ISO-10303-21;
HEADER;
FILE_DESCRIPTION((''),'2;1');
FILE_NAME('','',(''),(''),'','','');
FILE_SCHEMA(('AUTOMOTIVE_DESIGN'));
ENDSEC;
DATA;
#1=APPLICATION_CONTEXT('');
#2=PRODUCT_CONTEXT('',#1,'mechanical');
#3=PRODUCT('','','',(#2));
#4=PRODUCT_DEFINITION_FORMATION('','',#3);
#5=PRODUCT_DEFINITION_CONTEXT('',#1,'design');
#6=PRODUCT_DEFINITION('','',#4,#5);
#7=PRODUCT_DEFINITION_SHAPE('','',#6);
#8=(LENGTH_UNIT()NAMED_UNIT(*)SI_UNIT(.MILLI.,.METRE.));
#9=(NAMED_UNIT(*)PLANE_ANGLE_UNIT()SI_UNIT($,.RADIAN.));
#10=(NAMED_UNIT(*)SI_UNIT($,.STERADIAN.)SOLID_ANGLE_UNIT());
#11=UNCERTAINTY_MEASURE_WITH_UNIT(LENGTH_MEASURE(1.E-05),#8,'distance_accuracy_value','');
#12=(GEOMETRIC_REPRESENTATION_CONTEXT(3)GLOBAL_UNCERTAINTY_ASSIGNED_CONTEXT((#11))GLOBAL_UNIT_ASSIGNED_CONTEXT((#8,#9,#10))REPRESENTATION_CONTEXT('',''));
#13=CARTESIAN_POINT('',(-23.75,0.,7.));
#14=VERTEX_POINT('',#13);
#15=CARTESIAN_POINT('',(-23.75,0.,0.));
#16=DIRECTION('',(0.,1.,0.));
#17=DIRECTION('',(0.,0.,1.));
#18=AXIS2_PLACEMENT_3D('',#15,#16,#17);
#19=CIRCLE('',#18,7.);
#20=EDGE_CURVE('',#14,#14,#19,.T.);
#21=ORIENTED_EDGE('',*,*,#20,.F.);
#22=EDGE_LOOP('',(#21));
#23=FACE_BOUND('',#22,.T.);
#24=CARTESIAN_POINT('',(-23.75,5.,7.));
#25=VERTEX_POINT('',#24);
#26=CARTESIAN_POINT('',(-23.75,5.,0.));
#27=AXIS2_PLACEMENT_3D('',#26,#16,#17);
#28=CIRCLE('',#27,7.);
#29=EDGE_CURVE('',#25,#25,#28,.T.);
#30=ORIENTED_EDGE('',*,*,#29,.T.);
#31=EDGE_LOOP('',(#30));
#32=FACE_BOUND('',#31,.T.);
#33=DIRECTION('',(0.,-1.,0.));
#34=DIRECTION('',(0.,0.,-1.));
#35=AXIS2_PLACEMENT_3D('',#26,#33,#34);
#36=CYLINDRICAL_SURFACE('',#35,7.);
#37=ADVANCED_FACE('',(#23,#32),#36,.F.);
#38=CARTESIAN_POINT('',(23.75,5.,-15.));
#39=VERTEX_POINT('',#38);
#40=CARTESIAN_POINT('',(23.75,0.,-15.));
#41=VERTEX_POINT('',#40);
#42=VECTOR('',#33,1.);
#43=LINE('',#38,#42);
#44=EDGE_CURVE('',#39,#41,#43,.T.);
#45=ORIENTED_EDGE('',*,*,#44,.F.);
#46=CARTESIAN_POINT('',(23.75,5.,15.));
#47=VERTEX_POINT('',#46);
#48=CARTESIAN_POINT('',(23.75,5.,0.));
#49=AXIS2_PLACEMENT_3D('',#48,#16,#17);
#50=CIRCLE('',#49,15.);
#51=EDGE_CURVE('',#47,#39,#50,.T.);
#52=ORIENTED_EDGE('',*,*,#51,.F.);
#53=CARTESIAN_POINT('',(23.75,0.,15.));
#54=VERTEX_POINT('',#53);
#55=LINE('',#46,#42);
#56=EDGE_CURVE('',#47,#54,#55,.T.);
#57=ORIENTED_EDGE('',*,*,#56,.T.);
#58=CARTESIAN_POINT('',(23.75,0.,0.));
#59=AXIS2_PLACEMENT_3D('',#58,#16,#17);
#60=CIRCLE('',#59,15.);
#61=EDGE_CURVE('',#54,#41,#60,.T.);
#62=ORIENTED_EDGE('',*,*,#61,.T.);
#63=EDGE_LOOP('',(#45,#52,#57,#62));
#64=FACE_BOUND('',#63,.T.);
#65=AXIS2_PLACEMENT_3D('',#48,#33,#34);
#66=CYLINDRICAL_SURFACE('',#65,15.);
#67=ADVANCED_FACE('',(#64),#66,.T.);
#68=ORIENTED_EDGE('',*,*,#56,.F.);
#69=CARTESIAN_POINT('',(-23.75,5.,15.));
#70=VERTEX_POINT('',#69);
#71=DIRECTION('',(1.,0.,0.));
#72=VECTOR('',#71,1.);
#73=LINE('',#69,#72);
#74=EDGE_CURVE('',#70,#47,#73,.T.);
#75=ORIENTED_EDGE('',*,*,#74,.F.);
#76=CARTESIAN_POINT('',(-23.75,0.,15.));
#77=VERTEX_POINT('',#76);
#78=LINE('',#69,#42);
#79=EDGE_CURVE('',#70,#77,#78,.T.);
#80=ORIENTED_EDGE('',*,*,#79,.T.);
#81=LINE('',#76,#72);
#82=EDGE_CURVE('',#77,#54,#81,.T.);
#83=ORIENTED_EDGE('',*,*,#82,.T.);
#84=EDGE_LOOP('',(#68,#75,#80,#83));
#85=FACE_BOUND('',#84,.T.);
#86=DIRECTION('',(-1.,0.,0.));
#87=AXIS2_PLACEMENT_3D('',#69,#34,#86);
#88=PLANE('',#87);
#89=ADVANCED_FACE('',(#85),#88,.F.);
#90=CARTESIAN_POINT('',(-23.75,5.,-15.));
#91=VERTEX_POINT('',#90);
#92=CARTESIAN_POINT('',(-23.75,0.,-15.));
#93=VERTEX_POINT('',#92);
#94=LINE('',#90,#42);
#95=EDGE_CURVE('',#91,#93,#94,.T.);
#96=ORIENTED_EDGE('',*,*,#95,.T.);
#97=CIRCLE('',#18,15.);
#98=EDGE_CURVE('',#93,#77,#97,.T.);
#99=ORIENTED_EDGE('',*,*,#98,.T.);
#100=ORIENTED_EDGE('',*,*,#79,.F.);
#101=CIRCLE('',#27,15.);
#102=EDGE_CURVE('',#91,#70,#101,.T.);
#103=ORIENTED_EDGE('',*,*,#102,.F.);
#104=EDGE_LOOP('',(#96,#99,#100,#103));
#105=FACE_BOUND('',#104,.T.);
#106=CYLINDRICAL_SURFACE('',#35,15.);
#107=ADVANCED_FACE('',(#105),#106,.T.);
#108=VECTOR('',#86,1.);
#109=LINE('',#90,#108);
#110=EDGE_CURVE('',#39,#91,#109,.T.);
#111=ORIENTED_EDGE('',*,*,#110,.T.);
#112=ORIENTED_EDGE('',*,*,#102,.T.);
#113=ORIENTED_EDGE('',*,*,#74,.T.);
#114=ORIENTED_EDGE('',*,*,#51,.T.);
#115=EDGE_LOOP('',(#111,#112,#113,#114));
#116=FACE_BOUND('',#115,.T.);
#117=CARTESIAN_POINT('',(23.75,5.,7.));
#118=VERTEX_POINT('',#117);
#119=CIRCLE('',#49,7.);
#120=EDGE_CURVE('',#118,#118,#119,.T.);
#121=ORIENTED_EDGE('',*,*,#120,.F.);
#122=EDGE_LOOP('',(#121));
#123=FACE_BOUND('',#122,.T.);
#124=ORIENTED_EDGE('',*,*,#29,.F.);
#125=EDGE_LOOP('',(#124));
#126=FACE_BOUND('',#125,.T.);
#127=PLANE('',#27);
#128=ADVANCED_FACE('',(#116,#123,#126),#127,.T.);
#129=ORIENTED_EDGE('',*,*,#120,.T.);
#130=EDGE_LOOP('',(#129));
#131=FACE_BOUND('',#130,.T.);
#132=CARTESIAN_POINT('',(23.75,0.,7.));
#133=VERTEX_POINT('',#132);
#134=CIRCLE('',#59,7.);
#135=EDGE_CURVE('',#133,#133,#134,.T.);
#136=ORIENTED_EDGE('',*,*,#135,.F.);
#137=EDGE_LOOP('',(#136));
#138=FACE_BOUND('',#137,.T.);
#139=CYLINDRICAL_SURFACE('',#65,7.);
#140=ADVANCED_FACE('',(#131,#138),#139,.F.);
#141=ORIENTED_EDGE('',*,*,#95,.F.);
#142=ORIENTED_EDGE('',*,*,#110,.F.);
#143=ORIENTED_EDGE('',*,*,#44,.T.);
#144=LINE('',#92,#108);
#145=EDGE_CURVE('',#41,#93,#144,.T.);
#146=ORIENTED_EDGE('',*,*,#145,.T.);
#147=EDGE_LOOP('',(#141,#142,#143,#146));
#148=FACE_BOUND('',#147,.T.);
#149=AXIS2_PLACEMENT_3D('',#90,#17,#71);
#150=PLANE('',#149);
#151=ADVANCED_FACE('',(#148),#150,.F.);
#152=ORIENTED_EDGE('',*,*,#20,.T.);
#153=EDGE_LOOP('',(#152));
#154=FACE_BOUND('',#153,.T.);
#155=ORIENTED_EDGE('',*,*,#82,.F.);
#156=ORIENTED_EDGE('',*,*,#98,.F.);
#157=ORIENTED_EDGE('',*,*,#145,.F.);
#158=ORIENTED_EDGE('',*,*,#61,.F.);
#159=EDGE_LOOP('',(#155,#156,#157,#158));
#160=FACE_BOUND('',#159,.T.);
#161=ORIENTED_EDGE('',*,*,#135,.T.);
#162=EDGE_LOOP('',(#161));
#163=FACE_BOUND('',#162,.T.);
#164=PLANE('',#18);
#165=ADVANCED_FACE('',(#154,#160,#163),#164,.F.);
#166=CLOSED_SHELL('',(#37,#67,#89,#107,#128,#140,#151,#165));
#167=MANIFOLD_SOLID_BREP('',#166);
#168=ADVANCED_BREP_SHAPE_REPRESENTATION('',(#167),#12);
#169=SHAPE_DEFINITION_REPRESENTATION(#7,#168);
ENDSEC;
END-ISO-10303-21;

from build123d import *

# Parameters (mm, degrees)
SKETCH1_R           = 7
BOSS_EXTRUDE1_DEPTH = 5


with BuildPart() as part:
    # Sketch1 → Boss-Extrude1 (new body)
    with BuildSketch(Plane(origin=(0, 0, 0), x_dir=(1, 0, 0), z_dir=(0, 1, 0))):
        with BuildLine():
            Line((-23.75, 15), (23.75, 15))
            ThreePointArc((23.75, 15), (38.75, 0), (23.75, -15))
            Line((23.75, -15), (-23.75, -15))
            ThreePointArc((-23.75, -15), (-38.75, 0), (-23.75, 15))
        make_face()
        with Locations(Location((-23.75, 0, 0), (0, 0, 270))):
            Circle(SKETCH1_R, mode=Mode.SUBTRACT)
        with Locations(Location((23.75, 0, 0), (0, 0, 270))):
            Circle(SKETCH1_R, mode=Mode.SUBTRACT)
    extrude(amount=BOSS_EXTRUDE1_DEPTH)


solid = part.part
